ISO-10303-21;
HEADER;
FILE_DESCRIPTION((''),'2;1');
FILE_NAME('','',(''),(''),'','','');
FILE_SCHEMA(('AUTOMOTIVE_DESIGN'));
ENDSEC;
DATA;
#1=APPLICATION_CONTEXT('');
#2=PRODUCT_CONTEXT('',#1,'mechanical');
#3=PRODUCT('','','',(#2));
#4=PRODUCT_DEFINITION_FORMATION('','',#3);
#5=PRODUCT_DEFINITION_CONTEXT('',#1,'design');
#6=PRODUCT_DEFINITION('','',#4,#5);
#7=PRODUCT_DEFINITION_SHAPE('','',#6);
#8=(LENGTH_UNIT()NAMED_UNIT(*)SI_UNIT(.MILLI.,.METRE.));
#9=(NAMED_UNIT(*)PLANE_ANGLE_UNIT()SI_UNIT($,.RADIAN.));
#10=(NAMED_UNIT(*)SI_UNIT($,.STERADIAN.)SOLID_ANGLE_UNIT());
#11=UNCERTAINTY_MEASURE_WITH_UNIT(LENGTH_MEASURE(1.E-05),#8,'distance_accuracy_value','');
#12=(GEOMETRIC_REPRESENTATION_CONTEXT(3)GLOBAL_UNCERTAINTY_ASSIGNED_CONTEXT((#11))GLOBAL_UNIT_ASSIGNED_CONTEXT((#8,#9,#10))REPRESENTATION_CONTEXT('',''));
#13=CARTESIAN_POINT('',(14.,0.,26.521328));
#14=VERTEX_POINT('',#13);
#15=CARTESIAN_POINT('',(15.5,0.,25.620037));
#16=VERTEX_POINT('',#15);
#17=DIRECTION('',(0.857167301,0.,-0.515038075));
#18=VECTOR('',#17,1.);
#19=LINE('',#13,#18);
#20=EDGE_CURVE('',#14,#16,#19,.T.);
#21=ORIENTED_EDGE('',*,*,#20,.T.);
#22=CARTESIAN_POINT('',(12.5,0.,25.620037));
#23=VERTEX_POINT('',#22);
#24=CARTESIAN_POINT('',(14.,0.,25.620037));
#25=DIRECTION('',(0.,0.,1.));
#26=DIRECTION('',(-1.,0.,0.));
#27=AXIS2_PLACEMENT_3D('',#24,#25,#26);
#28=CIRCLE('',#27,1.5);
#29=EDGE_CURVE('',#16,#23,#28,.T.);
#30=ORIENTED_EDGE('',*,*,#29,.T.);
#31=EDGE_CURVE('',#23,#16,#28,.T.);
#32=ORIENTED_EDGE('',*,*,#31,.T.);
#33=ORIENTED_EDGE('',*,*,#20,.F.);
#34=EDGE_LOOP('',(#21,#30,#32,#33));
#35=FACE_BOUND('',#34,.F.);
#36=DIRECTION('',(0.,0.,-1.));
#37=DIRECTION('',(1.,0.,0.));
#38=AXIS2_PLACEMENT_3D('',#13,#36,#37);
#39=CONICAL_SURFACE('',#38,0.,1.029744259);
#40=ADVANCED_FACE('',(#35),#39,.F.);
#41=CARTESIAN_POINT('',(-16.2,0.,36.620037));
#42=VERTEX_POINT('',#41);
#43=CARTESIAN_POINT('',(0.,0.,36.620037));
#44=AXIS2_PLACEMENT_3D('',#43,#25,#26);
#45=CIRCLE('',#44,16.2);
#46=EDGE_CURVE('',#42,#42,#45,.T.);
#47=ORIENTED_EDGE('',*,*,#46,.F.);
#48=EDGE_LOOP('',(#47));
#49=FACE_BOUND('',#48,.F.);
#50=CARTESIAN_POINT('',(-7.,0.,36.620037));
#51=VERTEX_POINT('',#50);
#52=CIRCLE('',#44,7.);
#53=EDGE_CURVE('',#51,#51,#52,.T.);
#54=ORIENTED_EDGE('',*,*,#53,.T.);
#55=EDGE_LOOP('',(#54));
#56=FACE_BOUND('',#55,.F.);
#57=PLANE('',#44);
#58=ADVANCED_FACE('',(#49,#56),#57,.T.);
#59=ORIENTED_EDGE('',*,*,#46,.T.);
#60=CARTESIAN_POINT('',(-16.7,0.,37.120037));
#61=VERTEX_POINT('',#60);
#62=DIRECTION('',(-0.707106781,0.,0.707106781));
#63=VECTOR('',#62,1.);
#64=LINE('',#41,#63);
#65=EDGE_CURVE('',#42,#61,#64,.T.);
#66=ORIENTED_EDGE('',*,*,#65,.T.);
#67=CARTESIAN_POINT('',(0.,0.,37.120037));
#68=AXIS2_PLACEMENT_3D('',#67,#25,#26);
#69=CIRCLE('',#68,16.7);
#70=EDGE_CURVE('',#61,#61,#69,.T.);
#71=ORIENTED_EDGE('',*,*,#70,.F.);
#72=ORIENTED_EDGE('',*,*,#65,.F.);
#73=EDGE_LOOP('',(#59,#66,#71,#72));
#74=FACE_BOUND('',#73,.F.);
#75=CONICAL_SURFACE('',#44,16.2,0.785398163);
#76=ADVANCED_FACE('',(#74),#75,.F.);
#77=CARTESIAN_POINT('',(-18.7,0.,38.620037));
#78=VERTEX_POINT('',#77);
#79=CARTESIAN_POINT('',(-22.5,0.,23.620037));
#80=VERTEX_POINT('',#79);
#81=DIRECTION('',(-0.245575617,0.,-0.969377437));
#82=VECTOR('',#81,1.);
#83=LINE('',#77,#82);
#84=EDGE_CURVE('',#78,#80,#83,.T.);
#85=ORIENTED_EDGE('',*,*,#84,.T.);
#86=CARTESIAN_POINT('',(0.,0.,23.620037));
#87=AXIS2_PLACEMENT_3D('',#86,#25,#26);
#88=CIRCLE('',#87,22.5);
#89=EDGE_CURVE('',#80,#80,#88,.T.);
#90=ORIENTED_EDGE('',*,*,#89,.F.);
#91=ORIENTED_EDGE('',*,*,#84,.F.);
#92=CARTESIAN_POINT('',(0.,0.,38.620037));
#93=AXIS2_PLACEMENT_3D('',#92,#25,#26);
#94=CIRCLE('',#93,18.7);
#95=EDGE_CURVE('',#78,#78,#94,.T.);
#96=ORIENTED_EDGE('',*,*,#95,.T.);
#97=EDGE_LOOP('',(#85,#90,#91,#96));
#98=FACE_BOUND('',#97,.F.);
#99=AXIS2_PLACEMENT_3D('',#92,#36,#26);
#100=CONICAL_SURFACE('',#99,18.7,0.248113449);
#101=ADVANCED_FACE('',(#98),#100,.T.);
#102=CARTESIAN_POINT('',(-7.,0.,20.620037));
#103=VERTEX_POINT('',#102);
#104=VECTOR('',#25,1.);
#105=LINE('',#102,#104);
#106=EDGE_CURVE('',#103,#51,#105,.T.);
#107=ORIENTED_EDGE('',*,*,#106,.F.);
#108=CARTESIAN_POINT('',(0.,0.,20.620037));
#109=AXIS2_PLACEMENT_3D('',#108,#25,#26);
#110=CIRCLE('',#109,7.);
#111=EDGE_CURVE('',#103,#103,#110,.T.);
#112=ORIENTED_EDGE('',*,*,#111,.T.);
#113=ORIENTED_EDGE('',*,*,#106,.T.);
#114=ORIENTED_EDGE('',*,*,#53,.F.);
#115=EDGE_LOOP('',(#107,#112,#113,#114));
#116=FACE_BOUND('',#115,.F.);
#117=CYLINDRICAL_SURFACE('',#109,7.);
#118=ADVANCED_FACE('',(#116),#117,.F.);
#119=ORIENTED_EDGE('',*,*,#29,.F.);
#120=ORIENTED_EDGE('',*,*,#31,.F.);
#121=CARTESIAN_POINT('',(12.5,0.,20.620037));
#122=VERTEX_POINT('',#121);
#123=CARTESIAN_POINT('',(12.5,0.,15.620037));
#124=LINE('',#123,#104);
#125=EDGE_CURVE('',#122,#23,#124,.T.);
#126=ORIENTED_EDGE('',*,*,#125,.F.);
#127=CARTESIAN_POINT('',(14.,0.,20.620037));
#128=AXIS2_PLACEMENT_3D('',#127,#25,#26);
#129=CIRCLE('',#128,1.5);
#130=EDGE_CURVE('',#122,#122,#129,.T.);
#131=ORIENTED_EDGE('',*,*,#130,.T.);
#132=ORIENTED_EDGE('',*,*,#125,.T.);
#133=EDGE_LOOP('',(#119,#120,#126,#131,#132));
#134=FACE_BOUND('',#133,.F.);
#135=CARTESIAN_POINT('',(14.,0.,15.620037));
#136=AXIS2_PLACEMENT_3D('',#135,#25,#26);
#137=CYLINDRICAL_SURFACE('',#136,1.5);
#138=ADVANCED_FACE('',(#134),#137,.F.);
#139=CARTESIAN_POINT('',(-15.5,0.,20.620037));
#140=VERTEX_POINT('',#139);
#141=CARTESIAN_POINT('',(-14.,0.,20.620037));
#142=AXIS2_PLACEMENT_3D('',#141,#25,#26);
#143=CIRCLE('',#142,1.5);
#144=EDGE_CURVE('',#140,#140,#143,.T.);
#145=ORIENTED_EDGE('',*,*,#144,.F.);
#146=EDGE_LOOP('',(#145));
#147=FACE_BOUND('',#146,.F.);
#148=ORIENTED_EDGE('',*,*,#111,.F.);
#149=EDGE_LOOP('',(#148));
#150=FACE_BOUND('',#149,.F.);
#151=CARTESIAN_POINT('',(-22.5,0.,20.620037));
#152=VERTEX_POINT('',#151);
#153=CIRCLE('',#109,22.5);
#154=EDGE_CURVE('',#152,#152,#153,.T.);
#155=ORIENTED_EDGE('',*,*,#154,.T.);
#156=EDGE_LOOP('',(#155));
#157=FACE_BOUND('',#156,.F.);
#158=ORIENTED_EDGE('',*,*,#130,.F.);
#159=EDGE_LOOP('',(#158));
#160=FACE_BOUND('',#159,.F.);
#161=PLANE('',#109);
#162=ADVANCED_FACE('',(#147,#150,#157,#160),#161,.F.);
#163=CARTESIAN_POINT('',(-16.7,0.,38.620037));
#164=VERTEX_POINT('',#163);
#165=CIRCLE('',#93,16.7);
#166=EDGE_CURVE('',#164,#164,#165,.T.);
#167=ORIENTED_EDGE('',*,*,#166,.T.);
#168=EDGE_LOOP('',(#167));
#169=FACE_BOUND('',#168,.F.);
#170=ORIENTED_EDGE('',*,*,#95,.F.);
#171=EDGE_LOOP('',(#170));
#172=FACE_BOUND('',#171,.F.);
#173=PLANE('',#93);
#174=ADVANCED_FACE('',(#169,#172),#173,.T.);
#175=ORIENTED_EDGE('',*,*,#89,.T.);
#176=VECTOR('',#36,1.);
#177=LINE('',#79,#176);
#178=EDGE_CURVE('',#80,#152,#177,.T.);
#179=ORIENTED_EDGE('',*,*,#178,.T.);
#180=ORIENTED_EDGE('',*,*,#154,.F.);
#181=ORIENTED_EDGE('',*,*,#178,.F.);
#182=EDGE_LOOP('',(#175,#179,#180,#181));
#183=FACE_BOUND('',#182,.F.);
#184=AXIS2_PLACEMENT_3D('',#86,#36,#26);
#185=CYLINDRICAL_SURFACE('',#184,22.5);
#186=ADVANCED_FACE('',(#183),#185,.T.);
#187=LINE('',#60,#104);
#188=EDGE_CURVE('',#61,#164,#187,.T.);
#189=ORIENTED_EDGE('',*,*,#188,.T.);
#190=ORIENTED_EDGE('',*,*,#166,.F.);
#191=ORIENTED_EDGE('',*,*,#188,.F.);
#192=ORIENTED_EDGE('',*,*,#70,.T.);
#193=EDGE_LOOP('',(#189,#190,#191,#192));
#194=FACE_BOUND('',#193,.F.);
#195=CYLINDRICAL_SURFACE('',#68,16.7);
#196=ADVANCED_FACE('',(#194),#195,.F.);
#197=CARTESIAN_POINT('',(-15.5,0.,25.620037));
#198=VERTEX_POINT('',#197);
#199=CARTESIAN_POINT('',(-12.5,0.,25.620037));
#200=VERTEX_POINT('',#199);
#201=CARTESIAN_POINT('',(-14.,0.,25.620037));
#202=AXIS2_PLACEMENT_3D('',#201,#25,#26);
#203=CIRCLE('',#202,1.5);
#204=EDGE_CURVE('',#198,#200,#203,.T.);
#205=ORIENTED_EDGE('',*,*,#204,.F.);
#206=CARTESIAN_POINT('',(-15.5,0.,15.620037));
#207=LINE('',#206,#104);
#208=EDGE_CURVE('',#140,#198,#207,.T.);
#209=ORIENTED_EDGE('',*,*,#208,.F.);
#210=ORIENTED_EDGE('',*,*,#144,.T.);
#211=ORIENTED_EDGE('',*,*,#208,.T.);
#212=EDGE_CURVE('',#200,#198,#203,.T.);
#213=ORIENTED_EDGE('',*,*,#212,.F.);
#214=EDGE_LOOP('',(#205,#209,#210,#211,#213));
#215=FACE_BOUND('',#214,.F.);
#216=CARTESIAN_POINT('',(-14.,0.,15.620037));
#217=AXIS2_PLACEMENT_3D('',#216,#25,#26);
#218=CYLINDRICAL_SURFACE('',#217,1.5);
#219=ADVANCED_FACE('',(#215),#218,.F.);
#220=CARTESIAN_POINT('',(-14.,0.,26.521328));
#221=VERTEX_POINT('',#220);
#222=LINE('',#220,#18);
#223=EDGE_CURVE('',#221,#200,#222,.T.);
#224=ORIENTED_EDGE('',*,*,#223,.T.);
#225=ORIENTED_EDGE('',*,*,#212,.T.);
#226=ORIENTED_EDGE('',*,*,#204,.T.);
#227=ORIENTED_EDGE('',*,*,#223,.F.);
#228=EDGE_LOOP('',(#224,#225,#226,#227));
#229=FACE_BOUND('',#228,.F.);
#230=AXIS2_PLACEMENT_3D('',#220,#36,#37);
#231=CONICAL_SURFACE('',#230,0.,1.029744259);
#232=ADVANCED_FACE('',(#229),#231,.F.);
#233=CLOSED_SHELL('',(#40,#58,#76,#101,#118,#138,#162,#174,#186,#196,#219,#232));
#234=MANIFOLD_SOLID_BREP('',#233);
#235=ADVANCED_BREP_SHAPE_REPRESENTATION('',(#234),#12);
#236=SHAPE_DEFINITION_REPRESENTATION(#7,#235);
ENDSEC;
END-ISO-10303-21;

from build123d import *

# Parameters (mm, degrees)
F3_D     = 3
F3_DEPTH = 5
F3_TIP   = 0.9012909285


with BuildPart() as f1:
    # F0 (on Front) → F1 (revolve)
    with BuildSketch(Plane.XZ):
        Polygon((-22.5, 20.6200371981), (-7, 20.6200371981), (-7, 36.6200371981), (-16.2, 36.6200371981), (-16.7, 37.1200371981), (-16.7, 38.6200371981), (-18.7, 38.6200371981), (-22.5, 23.6200371981), align=None)
    revolve(axis=Axis((0, 0, 28.6200371981), (0, 0, 1)))

    # F3
    with Locations(Plane(origin=(0, 0, 20.6200371981), x_dir=(1, 0, 0), z_dir=(0, 0, -1))):
        with Locations((-14, 0), (14, 0)):
            Hole(F3_D / 2, depth=F3_DEPTH)
            with Locations((0, 0, -(F3_DEPTH + F3_TIP / 2))):  # 118° drill point
                Cone(0, F3_D / 2, F3_TIP, mode=Mode.SUBTRACT)


solid = f1.part
